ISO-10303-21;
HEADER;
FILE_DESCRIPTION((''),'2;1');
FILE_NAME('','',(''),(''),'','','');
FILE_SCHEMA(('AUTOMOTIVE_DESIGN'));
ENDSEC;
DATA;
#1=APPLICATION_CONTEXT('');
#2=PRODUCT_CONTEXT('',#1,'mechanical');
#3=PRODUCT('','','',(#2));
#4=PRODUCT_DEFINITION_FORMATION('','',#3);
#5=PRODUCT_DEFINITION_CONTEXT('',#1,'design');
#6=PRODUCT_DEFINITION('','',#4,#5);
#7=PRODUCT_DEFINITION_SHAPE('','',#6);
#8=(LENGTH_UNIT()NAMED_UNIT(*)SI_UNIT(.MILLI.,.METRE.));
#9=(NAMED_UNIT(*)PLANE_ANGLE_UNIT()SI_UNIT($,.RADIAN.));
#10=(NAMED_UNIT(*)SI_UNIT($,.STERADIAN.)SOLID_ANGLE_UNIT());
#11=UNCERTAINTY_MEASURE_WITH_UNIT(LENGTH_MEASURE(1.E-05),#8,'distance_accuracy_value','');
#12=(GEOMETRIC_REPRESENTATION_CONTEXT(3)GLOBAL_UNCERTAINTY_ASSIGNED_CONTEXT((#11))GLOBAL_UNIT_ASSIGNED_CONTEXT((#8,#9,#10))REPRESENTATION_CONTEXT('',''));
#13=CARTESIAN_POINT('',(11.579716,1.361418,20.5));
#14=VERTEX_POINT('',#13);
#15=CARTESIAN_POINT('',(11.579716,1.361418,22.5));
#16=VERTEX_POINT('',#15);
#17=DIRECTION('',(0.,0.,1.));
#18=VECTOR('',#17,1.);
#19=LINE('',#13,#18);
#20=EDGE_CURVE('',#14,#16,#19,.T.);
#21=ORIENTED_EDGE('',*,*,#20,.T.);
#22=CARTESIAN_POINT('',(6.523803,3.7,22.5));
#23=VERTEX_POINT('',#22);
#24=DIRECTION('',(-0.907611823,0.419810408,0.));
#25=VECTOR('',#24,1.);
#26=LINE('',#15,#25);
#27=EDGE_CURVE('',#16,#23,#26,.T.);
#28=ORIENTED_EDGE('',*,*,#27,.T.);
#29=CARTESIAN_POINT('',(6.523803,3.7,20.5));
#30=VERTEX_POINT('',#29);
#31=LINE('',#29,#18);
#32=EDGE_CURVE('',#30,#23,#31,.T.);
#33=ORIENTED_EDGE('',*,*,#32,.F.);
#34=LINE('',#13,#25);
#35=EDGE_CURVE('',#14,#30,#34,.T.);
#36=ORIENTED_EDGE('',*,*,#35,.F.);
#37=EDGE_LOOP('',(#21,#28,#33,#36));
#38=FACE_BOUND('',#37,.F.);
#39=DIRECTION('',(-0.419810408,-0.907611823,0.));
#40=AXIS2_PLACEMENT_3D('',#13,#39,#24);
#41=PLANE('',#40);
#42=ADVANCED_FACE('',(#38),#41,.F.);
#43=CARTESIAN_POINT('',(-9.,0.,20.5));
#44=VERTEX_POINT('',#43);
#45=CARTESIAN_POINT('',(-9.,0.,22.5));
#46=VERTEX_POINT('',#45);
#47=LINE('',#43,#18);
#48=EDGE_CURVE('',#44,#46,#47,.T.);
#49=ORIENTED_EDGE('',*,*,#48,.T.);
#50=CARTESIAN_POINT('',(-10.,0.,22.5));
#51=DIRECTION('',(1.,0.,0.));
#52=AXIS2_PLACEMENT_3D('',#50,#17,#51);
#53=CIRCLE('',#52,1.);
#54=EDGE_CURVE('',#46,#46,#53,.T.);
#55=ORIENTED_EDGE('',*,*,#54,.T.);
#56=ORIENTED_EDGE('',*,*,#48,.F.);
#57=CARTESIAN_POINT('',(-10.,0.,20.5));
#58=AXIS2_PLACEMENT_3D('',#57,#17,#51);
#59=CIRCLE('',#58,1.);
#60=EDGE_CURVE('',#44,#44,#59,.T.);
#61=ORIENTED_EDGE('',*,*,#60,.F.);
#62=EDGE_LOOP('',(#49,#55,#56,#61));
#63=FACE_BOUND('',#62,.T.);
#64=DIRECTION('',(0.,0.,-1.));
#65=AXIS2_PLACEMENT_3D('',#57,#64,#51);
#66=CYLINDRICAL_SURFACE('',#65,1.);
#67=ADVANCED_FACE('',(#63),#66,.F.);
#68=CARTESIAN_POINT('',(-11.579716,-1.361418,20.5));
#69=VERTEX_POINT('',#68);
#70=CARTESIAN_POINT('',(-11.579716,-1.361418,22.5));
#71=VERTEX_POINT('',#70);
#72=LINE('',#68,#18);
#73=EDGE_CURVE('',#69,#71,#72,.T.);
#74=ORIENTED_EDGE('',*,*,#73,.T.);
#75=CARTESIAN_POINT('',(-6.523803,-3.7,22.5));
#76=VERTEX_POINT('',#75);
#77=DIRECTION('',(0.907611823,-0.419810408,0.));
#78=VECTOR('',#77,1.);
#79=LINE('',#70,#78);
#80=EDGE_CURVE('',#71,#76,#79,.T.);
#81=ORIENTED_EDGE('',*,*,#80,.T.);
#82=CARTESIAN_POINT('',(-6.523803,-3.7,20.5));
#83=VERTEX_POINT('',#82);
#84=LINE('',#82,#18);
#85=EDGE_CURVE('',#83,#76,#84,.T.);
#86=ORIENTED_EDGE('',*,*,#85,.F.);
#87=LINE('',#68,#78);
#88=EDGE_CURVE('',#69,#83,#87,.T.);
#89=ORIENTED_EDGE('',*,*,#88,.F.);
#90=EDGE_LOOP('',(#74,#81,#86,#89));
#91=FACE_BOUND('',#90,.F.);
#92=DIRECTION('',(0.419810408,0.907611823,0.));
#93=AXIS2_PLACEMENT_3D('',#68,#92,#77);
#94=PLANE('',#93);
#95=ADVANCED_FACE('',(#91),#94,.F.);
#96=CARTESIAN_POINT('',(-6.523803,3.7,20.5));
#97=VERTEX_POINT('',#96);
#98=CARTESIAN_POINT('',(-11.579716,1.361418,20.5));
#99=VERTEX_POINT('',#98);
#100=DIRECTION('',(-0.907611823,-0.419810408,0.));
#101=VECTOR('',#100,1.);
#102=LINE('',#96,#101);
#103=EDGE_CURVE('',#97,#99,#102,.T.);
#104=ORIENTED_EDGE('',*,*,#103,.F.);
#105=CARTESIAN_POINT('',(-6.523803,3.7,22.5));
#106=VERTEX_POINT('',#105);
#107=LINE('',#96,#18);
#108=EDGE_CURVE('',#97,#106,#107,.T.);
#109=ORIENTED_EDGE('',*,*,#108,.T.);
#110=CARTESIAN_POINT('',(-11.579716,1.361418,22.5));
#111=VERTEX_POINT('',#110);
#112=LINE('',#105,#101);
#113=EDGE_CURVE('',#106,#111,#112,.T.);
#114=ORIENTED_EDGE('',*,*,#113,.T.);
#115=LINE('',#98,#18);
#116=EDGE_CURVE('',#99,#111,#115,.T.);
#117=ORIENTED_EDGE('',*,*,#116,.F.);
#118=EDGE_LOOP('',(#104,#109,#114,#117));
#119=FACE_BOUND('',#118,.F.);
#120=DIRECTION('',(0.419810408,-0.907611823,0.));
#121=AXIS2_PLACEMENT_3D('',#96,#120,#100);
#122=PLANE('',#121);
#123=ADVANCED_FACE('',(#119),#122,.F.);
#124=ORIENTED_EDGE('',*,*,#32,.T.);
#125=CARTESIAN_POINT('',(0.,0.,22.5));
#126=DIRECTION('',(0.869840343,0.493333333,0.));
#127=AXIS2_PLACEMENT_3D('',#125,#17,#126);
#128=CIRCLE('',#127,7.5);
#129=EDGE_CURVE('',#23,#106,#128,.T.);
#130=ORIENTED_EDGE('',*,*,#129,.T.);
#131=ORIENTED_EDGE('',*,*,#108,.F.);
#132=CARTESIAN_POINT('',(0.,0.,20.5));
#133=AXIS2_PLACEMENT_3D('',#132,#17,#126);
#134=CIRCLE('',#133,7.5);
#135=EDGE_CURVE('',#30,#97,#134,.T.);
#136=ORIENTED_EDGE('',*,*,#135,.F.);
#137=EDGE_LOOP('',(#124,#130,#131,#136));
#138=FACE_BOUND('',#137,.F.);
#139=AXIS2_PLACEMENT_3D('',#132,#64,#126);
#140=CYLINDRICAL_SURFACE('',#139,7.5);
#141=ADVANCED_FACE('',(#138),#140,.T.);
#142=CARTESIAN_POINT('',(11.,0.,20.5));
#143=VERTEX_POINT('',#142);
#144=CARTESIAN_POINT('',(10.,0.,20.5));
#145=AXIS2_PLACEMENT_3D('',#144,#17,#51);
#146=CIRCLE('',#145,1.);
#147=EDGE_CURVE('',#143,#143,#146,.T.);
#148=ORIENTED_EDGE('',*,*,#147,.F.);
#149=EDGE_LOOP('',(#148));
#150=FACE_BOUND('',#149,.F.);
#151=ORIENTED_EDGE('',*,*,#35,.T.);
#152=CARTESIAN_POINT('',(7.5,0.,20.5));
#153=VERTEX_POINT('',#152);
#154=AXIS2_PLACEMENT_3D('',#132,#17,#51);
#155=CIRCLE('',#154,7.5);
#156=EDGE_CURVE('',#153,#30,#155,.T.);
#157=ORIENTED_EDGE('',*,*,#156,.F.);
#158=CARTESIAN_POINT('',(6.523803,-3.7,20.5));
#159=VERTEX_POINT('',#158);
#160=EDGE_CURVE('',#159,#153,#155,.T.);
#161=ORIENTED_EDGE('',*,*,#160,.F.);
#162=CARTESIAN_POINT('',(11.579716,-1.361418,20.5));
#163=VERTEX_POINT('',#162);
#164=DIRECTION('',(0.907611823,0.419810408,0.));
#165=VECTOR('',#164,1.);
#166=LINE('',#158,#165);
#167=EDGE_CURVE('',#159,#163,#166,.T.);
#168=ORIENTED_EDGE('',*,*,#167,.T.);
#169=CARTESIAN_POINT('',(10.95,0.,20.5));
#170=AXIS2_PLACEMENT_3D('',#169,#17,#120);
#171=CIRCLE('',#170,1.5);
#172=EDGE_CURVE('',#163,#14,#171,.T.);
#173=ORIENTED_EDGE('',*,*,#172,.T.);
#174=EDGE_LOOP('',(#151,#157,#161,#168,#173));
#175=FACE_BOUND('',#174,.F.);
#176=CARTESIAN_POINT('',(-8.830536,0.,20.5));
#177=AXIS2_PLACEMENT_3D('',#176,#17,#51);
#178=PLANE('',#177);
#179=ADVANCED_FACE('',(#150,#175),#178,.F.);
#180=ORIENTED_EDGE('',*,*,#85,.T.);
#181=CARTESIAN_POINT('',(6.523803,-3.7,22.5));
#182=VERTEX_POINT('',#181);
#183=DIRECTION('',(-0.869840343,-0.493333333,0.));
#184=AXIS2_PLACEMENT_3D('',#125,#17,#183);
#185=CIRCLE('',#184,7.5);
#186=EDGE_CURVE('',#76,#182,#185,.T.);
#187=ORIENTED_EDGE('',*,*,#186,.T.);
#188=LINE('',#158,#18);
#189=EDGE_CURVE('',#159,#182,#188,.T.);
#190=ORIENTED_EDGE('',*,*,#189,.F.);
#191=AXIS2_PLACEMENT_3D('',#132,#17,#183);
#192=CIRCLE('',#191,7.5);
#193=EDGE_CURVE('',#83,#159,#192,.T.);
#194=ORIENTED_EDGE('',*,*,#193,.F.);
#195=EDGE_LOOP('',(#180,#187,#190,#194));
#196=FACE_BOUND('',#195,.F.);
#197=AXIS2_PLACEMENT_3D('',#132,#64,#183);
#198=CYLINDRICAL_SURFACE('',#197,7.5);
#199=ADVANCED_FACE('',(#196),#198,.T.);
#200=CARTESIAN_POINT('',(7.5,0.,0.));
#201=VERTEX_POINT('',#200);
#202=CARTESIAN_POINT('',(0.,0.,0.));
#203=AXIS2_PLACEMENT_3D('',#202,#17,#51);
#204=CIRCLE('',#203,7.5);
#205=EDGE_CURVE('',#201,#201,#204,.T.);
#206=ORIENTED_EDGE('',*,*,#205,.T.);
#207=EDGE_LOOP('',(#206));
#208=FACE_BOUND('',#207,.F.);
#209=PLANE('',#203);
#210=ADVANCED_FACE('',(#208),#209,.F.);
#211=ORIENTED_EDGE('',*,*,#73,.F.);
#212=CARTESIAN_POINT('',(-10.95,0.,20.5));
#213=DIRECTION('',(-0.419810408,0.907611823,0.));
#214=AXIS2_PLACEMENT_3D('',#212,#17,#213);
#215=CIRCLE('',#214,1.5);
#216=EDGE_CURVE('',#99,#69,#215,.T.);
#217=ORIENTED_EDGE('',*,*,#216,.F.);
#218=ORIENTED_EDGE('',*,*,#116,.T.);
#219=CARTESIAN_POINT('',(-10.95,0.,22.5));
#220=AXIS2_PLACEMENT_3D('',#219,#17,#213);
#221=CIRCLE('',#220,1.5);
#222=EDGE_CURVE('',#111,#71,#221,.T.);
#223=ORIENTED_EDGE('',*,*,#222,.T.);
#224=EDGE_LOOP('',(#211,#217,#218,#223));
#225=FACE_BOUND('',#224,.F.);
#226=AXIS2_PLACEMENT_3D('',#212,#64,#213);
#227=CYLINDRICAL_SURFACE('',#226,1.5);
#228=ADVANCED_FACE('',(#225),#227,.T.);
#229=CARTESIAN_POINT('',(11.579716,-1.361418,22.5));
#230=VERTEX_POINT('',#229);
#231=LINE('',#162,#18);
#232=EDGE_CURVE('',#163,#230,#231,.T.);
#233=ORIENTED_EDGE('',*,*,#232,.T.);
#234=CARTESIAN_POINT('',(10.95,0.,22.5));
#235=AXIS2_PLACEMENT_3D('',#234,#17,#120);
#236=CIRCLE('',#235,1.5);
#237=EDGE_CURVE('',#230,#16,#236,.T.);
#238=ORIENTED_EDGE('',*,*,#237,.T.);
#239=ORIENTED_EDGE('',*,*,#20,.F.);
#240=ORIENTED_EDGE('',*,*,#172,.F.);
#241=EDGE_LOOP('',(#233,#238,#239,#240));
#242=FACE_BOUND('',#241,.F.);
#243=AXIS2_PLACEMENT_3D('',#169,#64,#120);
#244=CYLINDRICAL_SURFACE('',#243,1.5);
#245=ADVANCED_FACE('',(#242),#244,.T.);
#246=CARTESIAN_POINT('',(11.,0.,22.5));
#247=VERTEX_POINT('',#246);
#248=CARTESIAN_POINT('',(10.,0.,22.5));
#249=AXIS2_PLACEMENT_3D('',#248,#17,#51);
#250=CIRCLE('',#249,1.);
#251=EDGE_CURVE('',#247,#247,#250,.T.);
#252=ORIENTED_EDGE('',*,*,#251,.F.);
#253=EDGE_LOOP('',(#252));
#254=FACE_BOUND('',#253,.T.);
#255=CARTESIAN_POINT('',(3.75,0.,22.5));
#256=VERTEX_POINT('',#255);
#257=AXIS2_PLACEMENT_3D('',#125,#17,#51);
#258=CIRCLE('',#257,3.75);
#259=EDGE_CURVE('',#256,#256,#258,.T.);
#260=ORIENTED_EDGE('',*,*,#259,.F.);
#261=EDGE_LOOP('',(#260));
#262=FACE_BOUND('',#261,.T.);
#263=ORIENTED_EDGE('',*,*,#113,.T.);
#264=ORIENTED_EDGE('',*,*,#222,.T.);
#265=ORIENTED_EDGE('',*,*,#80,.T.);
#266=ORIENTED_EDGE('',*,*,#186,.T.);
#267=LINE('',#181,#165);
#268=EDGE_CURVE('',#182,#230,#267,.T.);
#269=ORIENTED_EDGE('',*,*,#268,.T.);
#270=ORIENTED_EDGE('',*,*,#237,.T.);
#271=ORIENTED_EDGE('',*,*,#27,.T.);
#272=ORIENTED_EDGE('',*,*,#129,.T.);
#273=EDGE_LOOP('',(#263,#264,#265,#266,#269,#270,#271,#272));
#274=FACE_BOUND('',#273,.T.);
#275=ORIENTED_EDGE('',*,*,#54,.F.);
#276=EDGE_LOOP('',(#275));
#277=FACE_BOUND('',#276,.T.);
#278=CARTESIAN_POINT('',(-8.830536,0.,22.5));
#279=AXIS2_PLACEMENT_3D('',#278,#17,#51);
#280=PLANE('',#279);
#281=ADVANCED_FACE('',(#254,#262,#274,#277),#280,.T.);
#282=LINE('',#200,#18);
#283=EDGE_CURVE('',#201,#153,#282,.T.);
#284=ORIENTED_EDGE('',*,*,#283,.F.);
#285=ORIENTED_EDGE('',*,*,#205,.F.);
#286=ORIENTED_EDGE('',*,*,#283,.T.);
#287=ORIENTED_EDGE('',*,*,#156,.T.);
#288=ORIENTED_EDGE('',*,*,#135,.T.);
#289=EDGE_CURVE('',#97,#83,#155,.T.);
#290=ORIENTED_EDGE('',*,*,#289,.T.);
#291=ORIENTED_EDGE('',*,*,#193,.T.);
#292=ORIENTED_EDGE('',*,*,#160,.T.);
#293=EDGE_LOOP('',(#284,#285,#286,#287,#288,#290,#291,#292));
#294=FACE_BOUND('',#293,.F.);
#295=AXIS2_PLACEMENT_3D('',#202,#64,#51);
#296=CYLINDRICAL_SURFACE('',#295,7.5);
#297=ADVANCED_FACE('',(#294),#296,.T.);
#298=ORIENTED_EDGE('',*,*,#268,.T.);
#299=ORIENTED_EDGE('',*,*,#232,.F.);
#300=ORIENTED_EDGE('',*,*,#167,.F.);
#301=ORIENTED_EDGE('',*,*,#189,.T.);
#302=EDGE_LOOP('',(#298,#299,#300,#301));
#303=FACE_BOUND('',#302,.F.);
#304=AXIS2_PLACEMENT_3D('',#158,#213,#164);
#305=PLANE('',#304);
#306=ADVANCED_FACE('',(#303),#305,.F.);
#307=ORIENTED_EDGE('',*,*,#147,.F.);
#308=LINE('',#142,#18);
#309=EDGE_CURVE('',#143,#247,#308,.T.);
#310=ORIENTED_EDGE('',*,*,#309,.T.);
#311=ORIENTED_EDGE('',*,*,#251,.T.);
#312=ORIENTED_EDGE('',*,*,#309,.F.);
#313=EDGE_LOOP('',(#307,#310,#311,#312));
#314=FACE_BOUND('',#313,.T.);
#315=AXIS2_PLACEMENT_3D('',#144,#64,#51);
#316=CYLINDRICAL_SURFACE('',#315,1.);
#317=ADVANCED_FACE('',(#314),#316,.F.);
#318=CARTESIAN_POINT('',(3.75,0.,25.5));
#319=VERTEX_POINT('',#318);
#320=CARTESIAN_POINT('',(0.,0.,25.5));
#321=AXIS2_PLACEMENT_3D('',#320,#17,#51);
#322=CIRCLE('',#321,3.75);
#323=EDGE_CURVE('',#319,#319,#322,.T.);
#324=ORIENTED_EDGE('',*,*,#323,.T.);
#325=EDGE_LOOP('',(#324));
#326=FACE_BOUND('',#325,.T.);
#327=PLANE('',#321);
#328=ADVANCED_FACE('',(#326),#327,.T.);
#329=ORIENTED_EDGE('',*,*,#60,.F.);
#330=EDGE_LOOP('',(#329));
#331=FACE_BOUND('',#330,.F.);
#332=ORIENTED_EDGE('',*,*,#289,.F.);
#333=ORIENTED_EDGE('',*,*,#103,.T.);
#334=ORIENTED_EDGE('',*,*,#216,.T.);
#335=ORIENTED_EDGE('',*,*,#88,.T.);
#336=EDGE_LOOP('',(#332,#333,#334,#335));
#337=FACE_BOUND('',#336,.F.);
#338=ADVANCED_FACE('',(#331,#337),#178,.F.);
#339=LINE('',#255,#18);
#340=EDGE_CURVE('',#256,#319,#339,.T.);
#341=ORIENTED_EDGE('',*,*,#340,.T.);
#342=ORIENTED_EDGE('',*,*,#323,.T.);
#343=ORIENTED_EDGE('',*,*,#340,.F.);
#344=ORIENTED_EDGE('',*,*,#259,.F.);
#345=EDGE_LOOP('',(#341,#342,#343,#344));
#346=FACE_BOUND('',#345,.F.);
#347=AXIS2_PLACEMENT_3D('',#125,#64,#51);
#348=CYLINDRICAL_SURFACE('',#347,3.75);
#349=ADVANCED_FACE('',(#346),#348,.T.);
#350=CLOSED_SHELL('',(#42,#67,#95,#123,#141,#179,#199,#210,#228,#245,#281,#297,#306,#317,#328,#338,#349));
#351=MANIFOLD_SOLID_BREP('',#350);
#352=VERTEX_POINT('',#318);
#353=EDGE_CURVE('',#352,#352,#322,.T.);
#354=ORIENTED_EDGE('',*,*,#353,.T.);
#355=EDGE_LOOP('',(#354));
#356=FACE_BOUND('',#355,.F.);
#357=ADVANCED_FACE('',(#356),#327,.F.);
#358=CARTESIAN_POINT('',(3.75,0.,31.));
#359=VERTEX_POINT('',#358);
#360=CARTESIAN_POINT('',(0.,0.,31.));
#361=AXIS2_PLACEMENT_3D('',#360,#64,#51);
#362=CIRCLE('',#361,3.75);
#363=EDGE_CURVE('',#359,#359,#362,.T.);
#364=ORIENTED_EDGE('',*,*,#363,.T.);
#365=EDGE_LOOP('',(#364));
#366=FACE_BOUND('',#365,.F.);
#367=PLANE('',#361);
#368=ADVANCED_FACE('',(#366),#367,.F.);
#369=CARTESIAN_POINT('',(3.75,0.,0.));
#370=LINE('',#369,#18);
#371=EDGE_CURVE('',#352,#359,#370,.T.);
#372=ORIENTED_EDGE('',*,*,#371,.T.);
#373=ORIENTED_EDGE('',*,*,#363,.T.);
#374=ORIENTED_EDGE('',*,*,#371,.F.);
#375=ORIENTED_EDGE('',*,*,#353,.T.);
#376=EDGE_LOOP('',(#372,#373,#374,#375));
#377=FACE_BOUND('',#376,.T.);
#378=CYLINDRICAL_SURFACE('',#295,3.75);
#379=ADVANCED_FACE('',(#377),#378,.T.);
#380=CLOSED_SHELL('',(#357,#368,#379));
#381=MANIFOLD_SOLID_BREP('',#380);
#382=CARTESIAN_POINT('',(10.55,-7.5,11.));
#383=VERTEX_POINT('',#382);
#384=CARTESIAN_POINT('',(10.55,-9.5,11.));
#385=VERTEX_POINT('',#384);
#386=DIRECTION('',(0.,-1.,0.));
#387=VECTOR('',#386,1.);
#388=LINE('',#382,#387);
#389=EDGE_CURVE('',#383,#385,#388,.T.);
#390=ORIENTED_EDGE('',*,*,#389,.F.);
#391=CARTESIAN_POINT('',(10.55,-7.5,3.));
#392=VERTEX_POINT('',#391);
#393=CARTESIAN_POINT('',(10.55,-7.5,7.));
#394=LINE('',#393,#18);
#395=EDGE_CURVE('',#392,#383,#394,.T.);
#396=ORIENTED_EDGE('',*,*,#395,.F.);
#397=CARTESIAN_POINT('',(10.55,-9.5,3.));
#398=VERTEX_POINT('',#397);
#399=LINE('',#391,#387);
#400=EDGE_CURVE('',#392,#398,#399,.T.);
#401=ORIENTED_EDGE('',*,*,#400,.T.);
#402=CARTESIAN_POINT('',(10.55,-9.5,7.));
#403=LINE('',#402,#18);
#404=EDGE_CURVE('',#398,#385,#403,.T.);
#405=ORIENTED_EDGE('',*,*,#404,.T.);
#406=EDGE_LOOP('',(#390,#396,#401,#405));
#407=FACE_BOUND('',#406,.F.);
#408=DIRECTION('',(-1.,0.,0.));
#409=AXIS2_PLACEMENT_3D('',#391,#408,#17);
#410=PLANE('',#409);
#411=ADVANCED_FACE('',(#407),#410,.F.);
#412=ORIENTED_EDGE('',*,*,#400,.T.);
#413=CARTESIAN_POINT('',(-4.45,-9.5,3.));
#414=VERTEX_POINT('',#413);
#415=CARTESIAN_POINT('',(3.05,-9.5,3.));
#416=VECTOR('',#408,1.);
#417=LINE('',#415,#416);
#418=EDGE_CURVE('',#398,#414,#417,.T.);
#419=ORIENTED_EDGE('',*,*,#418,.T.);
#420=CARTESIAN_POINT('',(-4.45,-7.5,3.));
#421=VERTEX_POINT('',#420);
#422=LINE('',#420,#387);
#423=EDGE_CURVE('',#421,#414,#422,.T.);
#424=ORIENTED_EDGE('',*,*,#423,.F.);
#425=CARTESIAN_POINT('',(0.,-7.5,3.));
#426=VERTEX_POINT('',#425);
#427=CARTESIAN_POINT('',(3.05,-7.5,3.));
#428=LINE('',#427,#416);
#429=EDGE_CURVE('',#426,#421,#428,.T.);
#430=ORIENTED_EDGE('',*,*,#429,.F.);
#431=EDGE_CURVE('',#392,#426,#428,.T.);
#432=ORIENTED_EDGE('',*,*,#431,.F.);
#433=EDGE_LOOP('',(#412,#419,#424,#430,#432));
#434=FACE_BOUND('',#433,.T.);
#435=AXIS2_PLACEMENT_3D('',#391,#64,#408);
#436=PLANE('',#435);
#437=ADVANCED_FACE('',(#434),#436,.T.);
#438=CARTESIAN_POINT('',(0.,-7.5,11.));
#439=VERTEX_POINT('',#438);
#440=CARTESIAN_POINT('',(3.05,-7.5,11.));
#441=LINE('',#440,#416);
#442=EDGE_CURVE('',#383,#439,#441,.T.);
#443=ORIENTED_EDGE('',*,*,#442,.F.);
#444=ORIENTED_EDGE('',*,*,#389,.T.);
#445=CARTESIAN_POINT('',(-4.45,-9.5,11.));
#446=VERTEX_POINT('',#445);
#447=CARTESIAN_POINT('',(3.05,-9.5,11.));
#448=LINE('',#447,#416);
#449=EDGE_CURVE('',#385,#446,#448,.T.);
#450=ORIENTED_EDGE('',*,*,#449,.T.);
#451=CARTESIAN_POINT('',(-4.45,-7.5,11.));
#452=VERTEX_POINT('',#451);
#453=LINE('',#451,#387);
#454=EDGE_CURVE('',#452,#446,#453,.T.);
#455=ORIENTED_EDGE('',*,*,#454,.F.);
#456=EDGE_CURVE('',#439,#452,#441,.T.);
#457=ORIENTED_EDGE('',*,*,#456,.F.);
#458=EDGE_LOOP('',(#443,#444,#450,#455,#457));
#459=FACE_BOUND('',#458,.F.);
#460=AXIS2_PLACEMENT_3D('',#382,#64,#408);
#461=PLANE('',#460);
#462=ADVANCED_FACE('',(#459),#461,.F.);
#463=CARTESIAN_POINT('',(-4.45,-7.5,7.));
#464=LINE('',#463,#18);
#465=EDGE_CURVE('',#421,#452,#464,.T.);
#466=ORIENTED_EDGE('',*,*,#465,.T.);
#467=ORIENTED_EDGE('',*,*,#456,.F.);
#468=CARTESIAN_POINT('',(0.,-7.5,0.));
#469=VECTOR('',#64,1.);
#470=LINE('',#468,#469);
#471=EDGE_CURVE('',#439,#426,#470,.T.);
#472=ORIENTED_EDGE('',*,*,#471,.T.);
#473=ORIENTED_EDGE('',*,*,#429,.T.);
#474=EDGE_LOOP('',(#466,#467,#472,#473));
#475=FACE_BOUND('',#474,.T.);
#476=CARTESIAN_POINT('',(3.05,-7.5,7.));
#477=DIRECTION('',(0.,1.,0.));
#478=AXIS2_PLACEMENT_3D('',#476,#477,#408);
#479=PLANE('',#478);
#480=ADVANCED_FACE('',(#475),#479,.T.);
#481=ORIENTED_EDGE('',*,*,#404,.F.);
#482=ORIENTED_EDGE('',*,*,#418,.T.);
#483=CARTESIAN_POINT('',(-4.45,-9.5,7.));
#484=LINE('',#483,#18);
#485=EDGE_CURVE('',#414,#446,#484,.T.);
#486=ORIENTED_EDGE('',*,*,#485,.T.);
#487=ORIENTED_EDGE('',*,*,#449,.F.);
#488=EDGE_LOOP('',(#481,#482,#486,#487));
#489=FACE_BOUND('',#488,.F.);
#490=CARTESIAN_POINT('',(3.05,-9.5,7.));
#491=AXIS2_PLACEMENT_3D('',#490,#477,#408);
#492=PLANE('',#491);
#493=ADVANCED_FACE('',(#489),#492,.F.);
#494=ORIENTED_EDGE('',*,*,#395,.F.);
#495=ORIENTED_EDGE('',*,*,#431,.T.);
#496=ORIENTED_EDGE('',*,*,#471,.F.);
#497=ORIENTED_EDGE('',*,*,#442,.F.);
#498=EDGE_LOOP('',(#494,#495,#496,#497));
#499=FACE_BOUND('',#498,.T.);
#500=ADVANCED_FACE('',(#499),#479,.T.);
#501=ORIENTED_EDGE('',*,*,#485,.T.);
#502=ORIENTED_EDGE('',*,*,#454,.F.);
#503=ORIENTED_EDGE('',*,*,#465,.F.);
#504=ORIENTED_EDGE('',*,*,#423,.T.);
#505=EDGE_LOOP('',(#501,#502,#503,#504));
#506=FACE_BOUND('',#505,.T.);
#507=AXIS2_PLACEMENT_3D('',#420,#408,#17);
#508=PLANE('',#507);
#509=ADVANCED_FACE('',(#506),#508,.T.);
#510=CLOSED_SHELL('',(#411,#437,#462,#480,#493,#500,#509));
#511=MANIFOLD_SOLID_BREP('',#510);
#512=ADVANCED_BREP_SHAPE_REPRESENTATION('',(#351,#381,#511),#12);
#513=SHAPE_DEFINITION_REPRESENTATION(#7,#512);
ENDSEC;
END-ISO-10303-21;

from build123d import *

# Parameters (mm, degrees)
F0_R      = 7.5
F3_DEPTH  = 20.5
F4_R      = 1
F4_R_2    = 3.75
F5_DEPTH  = 2
F6_R      = 3.75
F7_DEPTH  = 3
F8_R      = 3.75
F9_DEPTH  = 31
F13_W     = 15
F13_H     = 8
F14_DEPTH = 2


with BuildPart() as f3:
    # F0 (on Top) → F3 (new body, through all)
    with BuildSketch(Plane.XY):
        Circle(F0_R)
    extrude(amount=F3_DEPTH)

    # F4 (on offset) → F5 (join)
    with BuildSketch(Plane.XY.offset(20.5)):
        with BuildLine():
            Line((-6.5238025721, 3.7), (-11.5797156113, 1.3614177349))
            ThreePointArc((-11.5797156113, 1.3614177349), (-12.45, 0), (-11.5797156113, -1.3614177349))
            Line((-11.5797156113, -1.3614177349), (-6.5238025721, -3.7))
            ThreePointArc((-6.5238025721, -3.7), (-7.5, 0), (-6.5238025721, 3.7))
        make_face()
        with Locations((-10, 0)):
            Circle(F4_R, mode=Mode.SUBTRACT)
        with BuildLine():
            ThreePointArc((6.5238025721, 3.7), (0, 7.5), (-6.5238025721, 3.7))
            ThreePointArc((-6.5238025721, 3.7), (-7.5, 0), (-6.5238025721, -3.7))
            ThreePointArc((-6.5238025721, -3.7), (0, -7.5), (6.5238025721, -3.7))
            ThreePointArc((6.5238025721, -3.7), (7.251845258, -1.9133061319), (7.5, 0))
            ThreePointArc((7.5, 0), (7.251845258, 1.9133061319), (6.5238025721, 3.7))
        make_face()
        Circle(F4_R_2, mode=Mode.SUBTRACT)
        with BuildLine():
            Line((11.5797156113, 1.3614177349), (6.5238025721, 3.7))
            ThreePointArc((6.5238025721, 3.7), (7.251845258, 1.9133061319), (7.5, 0))
            ThreePointArc((7.5, 0), (7.251845258, -1.9133061319), (6.5238025721, -3.7))
            Line((6.5238025721, -3.7), (11.5797156113, -1.3614177349))
            ThreePointArc((11.5797156113, -1.3614177349), (12.45, 0), (11.5797156113, 1.3614177349))
        make_face()
        with Locations((10, 0)):
            Circle(F4_R, mode=Mode.SUBTRACT)
        Circle(F4_R_2)
    extrude(amount=F5_DEPTH)

    # F6 (on face) → F7 (join)
    with BuildSketch(Plane.XY.offset(22.5)):
        Circle(F6_R)
    extrude(amount=F7_DEPTH)


with BuildPart() as f9:
    # F8 (on face) → F9 (new body)
    with BuildSketch(Plane(origin=(0, 0, 0), x_dir=(1, 0, 0), z_dir=(0, 0, -1))):
        Circle(F8_R)
    extrude(amount=-F9_DEPTH)

    # F10: cut F3
    add(f3.part, mode=Mode.SUBTRACT)


with BuildPart() as f3_1:
    add(f3.part)

    # F13 (on line) → F14 (join)
    with BuildSketch(Plane(origin=(0, -7.5, 0), x_dir=(-1, 0, 0), z_dir=(0, 1, 0))):
        with Locations((-3.05, 7)):
            Rectangle(F13_W, F13_H)
    extrude(amount=-F14_DEPTH)


solid = Compound([f9.part, f3_1.part])
